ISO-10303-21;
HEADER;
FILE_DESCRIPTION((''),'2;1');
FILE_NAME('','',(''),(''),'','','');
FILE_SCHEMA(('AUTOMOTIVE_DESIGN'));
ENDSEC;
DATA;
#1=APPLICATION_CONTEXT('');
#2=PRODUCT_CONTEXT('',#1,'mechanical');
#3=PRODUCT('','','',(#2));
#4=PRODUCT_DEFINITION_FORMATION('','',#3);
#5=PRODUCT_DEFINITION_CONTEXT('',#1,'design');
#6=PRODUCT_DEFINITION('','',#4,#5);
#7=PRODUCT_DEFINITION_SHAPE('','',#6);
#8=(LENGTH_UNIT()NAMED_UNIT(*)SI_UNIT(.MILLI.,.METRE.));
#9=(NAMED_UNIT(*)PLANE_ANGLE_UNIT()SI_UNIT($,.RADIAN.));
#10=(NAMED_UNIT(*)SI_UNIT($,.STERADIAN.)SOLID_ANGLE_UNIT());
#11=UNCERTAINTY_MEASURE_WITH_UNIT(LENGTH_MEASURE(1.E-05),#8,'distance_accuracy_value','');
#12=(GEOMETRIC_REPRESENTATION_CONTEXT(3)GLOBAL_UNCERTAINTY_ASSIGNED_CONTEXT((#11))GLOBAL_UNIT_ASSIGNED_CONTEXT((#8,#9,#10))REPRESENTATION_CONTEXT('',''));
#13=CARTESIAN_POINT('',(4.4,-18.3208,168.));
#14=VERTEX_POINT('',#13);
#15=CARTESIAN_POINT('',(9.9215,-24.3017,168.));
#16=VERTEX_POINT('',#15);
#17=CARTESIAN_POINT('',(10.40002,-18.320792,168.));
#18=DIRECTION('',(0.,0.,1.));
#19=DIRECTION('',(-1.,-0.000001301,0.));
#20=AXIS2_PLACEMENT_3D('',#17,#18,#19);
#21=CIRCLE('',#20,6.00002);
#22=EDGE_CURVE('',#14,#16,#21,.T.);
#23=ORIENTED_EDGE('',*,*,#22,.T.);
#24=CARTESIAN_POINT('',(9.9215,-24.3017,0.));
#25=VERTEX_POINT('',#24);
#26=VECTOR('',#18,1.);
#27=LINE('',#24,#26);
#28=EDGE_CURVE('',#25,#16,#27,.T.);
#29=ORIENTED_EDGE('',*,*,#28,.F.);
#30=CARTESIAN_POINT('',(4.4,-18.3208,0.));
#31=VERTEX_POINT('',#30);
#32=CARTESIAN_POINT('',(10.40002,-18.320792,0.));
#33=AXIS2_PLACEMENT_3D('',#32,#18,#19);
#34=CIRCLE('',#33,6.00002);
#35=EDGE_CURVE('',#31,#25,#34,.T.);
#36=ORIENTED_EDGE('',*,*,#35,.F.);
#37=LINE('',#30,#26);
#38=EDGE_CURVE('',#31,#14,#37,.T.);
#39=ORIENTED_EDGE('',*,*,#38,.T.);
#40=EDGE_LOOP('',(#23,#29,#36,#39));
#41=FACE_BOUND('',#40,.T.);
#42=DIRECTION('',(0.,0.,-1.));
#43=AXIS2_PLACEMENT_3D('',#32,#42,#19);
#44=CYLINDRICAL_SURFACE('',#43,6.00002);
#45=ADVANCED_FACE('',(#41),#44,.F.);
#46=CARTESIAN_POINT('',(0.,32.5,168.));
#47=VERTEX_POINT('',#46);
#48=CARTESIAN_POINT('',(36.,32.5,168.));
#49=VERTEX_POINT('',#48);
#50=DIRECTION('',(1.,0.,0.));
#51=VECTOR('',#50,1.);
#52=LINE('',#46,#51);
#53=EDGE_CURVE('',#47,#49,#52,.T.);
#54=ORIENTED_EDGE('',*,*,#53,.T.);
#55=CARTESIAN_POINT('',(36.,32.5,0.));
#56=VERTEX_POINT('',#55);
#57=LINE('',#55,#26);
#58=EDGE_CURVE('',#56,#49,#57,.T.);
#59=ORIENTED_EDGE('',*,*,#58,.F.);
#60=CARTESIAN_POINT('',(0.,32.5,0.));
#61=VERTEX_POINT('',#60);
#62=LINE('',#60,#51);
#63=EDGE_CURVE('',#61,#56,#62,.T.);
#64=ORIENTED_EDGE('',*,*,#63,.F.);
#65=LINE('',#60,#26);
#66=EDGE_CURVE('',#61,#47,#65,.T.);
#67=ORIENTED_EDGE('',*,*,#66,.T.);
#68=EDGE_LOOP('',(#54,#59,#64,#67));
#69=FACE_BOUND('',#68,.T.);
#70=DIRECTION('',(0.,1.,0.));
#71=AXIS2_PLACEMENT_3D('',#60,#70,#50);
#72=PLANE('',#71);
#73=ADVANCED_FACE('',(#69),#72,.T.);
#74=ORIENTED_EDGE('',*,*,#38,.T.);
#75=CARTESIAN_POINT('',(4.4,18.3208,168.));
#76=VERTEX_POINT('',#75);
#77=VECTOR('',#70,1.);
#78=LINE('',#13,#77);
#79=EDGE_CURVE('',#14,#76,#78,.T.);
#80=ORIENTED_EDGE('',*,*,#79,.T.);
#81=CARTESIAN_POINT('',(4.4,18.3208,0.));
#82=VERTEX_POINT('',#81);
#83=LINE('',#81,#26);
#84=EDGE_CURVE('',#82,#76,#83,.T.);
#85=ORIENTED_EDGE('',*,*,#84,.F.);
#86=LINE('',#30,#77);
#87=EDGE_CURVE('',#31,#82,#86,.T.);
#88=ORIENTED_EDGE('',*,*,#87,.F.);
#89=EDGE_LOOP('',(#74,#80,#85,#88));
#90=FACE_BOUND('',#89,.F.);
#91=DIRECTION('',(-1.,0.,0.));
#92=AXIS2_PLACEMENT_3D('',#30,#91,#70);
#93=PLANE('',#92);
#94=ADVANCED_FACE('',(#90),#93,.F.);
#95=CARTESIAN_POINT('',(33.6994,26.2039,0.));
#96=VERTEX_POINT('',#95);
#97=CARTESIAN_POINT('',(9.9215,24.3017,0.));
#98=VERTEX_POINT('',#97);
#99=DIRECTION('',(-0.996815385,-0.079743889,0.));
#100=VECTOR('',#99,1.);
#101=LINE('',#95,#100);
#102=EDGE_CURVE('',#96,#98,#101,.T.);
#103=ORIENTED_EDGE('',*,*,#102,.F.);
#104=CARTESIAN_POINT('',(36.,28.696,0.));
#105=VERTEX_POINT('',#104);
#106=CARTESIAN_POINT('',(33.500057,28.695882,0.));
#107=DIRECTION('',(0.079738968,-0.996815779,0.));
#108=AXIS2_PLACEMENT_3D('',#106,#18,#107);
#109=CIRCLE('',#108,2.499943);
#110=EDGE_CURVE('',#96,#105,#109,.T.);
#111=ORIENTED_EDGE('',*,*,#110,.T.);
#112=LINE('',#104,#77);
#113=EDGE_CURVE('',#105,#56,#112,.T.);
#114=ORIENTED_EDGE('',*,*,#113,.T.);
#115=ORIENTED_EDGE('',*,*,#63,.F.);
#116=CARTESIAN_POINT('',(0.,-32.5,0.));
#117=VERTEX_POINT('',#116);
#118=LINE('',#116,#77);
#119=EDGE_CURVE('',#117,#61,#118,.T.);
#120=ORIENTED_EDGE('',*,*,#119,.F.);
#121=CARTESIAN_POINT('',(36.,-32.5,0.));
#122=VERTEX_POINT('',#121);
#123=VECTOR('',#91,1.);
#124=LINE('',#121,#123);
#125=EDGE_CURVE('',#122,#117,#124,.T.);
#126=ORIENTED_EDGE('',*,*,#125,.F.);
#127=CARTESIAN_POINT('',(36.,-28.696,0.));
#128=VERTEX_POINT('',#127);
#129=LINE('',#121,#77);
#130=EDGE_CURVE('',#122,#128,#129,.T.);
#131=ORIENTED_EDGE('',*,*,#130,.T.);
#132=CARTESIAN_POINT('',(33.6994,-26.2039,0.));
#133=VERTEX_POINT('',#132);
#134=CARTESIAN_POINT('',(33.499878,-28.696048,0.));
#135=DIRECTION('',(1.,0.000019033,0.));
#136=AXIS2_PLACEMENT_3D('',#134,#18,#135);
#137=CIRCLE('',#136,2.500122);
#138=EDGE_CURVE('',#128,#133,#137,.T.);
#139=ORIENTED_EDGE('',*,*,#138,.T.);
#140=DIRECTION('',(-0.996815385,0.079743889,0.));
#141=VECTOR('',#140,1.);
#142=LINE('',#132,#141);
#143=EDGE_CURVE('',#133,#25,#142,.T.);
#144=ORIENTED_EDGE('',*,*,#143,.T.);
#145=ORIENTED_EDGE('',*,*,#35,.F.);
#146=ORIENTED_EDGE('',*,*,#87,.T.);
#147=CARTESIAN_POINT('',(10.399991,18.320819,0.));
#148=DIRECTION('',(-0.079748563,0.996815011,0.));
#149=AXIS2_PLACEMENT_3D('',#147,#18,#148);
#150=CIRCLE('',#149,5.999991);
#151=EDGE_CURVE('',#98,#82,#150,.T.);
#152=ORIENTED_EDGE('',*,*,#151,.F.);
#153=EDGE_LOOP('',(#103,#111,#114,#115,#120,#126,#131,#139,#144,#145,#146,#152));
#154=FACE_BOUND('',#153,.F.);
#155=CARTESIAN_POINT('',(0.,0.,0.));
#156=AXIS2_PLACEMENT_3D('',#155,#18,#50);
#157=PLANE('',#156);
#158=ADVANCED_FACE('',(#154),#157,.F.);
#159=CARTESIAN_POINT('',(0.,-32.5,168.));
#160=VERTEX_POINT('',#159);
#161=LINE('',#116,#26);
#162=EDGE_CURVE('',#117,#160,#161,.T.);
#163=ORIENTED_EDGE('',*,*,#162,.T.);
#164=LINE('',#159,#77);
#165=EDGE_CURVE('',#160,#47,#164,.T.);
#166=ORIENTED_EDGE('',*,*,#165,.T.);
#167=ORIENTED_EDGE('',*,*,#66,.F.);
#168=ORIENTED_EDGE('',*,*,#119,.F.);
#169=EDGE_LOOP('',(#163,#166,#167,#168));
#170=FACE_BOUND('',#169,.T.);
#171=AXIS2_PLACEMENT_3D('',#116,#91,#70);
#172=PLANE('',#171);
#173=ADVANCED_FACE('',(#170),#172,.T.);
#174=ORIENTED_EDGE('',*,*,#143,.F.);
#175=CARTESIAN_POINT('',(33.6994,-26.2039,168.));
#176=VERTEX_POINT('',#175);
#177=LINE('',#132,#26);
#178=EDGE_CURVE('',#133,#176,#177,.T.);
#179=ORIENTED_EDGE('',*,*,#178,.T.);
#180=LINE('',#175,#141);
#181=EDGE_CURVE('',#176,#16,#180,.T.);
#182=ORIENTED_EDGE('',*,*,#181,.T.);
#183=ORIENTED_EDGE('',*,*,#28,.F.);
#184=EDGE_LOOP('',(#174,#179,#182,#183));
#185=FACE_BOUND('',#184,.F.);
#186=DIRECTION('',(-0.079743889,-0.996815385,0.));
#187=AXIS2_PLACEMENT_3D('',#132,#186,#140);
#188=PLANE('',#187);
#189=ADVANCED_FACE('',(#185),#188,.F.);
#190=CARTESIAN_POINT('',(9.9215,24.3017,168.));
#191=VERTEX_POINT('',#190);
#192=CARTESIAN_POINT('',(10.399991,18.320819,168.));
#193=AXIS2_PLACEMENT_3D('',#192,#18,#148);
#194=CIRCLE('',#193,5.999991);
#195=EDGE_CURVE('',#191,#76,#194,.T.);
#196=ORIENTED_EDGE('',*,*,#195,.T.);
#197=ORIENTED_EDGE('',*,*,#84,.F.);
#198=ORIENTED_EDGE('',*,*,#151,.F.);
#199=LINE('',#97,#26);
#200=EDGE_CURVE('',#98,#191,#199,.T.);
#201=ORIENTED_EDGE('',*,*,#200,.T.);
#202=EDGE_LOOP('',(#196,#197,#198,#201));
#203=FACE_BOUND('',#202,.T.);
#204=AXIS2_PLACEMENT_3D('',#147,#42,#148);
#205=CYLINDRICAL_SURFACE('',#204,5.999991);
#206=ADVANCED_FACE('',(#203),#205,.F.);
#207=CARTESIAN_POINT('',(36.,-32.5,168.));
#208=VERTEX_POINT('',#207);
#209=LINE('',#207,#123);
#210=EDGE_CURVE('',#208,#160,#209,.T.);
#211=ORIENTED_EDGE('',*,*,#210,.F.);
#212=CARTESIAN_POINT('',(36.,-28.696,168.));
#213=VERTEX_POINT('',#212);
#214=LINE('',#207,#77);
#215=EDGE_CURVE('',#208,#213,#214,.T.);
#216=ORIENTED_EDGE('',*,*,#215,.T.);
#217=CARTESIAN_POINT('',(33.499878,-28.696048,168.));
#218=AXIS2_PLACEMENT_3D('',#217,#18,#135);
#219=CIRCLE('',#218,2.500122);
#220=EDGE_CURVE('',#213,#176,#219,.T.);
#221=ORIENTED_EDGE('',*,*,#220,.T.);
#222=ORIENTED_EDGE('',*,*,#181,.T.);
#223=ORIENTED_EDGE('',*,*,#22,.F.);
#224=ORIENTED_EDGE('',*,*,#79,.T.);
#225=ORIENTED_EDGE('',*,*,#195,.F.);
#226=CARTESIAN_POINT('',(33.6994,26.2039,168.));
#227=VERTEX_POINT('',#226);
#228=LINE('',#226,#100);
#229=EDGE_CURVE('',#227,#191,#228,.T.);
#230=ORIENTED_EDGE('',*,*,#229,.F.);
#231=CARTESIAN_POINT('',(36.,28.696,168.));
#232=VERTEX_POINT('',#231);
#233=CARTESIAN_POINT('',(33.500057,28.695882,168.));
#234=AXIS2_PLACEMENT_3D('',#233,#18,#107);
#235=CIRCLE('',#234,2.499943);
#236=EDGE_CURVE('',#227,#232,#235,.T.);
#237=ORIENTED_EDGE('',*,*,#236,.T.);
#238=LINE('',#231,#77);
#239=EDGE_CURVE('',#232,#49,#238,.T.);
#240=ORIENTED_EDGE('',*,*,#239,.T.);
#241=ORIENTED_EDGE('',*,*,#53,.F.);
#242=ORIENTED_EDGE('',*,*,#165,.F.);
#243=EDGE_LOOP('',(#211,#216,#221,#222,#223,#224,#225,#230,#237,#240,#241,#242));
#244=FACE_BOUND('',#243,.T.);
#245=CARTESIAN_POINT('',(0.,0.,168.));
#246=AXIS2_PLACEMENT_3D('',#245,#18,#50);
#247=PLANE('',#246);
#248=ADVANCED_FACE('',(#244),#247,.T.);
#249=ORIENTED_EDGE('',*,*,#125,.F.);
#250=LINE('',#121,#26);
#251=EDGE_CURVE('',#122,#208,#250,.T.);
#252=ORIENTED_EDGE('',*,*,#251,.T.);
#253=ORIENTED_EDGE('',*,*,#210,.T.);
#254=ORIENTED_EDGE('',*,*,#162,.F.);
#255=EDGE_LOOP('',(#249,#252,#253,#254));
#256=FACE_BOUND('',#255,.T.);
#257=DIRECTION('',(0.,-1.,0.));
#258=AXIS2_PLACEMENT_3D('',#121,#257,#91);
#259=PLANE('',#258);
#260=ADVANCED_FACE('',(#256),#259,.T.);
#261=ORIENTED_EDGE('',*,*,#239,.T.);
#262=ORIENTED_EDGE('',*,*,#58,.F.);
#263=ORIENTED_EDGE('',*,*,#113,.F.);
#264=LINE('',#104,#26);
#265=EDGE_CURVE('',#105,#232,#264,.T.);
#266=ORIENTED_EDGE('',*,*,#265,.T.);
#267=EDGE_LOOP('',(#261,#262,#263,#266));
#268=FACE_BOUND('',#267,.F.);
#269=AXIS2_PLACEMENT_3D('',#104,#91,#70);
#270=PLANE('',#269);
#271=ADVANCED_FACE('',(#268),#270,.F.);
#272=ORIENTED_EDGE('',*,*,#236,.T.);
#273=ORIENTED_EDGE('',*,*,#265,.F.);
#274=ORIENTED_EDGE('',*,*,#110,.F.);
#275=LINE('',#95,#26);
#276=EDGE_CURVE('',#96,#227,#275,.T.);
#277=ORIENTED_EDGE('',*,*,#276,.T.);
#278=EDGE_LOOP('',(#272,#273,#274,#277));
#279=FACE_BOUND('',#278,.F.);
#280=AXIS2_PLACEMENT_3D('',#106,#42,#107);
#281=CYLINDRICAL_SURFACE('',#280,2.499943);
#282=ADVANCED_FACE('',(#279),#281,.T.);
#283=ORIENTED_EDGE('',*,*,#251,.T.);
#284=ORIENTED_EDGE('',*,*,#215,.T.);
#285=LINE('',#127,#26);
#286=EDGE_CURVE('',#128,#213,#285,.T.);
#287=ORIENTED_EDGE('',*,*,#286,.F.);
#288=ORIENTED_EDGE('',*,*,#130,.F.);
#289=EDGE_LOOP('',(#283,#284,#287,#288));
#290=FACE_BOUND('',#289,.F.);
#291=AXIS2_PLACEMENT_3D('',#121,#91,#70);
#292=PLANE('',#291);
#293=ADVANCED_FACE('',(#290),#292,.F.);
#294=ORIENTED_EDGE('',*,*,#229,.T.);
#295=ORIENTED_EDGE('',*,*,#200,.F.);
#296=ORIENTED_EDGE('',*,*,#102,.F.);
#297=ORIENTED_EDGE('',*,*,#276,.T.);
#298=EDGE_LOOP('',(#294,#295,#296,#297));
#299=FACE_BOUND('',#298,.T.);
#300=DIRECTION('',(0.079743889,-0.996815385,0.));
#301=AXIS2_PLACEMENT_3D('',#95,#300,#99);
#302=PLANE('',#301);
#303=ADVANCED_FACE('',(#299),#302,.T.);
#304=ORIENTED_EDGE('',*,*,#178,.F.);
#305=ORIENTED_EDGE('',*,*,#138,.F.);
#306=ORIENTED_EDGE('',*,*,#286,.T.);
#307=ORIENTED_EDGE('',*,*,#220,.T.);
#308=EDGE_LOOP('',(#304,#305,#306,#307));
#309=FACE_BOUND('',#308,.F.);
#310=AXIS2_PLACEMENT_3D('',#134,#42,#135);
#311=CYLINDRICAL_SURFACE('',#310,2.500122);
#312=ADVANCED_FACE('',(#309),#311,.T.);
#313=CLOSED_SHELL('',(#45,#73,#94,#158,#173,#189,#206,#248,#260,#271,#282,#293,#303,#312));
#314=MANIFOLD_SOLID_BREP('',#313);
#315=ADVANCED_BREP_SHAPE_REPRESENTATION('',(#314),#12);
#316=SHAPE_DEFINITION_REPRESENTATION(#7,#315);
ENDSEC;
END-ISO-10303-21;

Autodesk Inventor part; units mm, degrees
ref_plane "YZ Plane" through (0, 0, 0) normal (1, 0, 0) x (0, 1, 0)
ref_plane "Начальная плоскость" through (0, 0, 0) normal (0, 0, 1) x (1, 0, 0)
ref_plane "Конечная плоскость" through (0, 0, 168) normal (0, 0, 1) x (1, 0, 0)
sketch "Эскиз" plane through (0, 0, 0) normal (0, 0, 1) x (1, 0, 0)
  line L0 (36, -32.5) -> (0, -32.5)
  line L1 (36, -32.5) -> (36, -28.696)
  line L2 (33.6994, -26.2039) -> (9.9215, -24.3017)
  line L3 (4.4, -18.3208) -> (4.4, 18.3208)
  line L4 (33.6994, 26.2039) -> (9.9215, 24.3017)
  line L5 (36, 28.696) -> (36, 32.5)
  line L6 (0, 32.5) -> (36, 32.5)
  line L7 (0, -32.5) -> (0, 32.5)
  arc A0 (4.4, -18.3208) -> (9.9215, -24.3017) centre (10.4, -18.3208) ccw
  arc A1 (9.9215, 24.3017) -> (4.4, 18.3208) centre (10.4, 18.3208) ccw
  arc A2 (36, -28.696) -> (33.6994, -26.2039) centre (33.5, -28.696) ccw
  arc A3 (33.6994, 26.2039) -> (36, 28.696) centre (33.5, 28.696) ccw
  line L8 (0, 45.5) -> (0, -45.5) construction
  line L9 (-7.2974, 0) -> (43.7847, 0) construction
  point P0 (36, -26.388)
  point P1 (4.4, -23.86)
  point P2 (4.4, 23.86)
  point P3 (36, 26.388)
  dimension "d3" = 36
  dimension "d5" = 4.4
  dimension "d7" = 65
  dimension "d9" = 8.64
  dimension "d11" = 8.64
  dimension "d13" = 6.112
  dimension "d15" = 6.112
  dimension "d22" = 6
  dimension "d23" = 2.5
  dimension "d24" = 32.5
  dimension "d25" = 0
extrude "Тело" add sketch "Эскиз" along normal up to surface (168 mm away) from surface at 0
sketch "Sketch3" plane through (0, 0, 0) normal (0, 0, 1) x (1, 0, 0)
  line L0 (0, 0) -> (10, 0)
ref_plane "Work Plane7" through (0, 0, 0) normal (0, -1, 0) x (1, 0, 0)
sketch "Sketch4" plane through (0, 0, 0) normal (0, -1, 0) x (1, 0, 0)
  line L0 (-2, 0) -> (12, 0)
  line L1 (-2, 168) -> (12, 168)
  dimension "d29" = 168
equation "\"d3\" = b"
equation "\"d5\" = t1"
equation "\"d7\" = ParH"
equation "\"d9\" = msp_x1 + t2"
equation "\"d11\" = msp_x1 + t2"
equation "\"d13\" = -msp_x2 + t2"
equation "\"d15\" = -msp_x2 + t2"
equation "\"d22\" = R"
equation "\"d23\" = R1"
equation "\"d24\" = 0.5 * d7"
equation "\"d16\" = G_L"
equation "\"R1\" = 2.5"
equation "\"R\" = 6"
equation "\"t1\" = 4.4"
equation "\"t2\" = 7.2"
equation "\"ParH\" = 65"
equation "\"b\" = 36"
equation "\"msp_x1\" = 0.04 * b"
equation "\"msp_x2\" = -0.08 * t1 + 0.04 * b"
equation "\"G_L\" = d29"
equation "\"ex\" = 0"
equation "\"G_OFFSET_START\" = 0"
equation "\"G_OFFSET_END\" = 0"
equation "\"d27\" = G_OFFSET_END + B_L"
equation "\"B_L\" = 168"
properties part number "Швеллер 6.5U-168 ГОСТ 8240-97" material "Сталь, мягкая"
